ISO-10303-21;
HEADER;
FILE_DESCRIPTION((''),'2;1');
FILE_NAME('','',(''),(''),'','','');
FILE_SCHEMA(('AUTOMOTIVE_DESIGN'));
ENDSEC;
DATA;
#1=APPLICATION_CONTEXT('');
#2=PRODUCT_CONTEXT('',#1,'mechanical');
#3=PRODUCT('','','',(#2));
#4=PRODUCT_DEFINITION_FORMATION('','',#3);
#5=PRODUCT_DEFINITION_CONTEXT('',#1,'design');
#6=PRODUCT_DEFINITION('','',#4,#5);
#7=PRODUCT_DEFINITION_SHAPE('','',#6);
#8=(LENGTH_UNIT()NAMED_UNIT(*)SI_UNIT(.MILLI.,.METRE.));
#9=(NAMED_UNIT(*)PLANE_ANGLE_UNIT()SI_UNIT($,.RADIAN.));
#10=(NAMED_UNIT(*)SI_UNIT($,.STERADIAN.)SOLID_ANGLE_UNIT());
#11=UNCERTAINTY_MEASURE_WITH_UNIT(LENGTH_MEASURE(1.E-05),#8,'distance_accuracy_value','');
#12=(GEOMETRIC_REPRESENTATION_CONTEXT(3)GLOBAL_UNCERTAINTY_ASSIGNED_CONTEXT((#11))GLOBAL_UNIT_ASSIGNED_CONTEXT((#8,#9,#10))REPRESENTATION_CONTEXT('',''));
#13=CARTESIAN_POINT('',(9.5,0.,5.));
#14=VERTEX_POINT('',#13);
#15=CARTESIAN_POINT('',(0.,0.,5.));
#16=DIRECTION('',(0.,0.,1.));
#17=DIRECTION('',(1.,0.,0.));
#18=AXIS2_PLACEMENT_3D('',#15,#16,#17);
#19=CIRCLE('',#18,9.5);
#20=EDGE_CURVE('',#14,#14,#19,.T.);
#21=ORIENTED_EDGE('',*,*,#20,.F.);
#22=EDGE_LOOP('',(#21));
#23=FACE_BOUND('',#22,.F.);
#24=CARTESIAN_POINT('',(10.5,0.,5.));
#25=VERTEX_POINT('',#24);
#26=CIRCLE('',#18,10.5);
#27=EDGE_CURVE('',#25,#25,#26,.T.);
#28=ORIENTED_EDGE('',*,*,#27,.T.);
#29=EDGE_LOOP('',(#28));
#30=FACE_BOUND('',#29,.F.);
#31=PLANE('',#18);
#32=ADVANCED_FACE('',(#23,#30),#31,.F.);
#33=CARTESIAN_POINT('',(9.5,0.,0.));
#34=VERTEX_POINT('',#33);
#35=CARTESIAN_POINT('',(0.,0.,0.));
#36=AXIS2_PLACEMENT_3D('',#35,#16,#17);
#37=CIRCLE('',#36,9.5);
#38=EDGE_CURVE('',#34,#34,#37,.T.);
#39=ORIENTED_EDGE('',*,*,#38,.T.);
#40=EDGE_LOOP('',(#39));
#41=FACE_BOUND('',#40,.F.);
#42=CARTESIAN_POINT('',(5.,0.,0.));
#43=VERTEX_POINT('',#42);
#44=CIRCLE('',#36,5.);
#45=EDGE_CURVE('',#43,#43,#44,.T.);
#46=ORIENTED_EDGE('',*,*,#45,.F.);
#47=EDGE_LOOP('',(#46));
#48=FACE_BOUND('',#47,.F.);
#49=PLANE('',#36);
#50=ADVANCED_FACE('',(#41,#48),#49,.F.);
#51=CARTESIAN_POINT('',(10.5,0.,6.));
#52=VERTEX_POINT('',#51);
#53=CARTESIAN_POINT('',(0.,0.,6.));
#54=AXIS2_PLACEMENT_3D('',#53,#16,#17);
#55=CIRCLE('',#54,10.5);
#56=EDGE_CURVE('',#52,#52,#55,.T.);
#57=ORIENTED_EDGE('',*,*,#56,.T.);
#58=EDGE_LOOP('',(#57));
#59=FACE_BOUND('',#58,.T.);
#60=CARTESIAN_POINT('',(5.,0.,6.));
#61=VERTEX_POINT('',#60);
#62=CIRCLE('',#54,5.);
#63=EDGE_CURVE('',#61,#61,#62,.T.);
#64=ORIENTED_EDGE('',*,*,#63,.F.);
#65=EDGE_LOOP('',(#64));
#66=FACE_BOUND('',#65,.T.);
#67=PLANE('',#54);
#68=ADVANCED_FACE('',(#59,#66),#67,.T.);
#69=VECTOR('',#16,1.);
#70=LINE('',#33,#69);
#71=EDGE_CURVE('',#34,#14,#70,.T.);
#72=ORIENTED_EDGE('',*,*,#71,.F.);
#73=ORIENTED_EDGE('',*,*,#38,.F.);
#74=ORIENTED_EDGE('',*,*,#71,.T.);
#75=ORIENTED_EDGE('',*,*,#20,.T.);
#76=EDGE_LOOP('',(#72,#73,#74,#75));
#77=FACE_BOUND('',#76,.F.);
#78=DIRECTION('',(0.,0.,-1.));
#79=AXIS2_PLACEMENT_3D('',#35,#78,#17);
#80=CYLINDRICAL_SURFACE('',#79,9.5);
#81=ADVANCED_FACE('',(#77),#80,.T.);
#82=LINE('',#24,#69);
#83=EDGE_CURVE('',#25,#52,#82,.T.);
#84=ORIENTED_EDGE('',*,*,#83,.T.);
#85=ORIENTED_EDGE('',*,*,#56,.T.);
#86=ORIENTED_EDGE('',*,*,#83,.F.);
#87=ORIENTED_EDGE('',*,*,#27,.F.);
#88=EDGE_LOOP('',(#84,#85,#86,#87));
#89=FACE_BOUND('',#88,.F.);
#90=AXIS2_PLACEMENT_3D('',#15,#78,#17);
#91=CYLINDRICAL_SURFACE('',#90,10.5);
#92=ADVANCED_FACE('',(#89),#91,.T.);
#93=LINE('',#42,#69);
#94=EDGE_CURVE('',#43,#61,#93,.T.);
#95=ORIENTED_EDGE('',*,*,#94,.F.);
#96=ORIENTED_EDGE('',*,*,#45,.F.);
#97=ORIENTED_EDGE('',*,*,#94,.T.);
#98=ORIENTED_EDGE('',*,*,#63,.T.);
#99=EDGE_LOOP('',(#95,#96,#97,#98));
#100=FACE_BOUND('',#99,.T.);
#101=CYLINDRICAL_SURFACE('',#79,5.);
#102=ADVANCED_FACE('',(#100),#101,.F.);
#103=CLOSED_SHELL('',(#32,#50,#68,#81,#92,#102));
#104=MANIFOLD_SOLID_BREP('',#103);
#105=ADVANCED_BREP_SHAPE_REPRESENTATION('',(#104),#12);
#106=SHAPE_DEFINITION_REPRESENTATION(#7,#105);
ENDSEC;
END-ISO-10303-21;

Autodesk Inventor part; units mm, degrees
ref_plane "YZ Plane" through (0, 0, 0) normal (1, 0, 0) x (0, 1, 0)
ref_plane "XZ Plane" through (0, 0, 0) normal (0, 1, 0) x (-1, 0, 0)
ref_plane "XY Plane" through (0, 0, 0) normal (0, 0, 1) x (1, 0, 0)
sketch "Sketch1" plane through (0, 0, 0) normal (0, 0, 1) x (1, 0, 0)
  circle A0 centre (0, 0) radius 9.5
  circle A1 centre (0, 0) radius 5
  dimension "d0" = 19
  dimension "d1" = 10
extrude "Extrusion1" add sketch "Sketch1" along normal blind 5
sketch "Sketch2" plane through (0, 0, 5) normal (0, 0, 1) x (1, 0, 0)
  circle A0 centre (0, 0) radius 10.5
  circle A1 centre (0, 0) radius 5
  dimension "d4" = 21
  dimension "d5" = 10
extrude "Extrusion2" add sketch "Sketch2" along normal blind 1
properties part number "F6800" material "Stainless Steel"
